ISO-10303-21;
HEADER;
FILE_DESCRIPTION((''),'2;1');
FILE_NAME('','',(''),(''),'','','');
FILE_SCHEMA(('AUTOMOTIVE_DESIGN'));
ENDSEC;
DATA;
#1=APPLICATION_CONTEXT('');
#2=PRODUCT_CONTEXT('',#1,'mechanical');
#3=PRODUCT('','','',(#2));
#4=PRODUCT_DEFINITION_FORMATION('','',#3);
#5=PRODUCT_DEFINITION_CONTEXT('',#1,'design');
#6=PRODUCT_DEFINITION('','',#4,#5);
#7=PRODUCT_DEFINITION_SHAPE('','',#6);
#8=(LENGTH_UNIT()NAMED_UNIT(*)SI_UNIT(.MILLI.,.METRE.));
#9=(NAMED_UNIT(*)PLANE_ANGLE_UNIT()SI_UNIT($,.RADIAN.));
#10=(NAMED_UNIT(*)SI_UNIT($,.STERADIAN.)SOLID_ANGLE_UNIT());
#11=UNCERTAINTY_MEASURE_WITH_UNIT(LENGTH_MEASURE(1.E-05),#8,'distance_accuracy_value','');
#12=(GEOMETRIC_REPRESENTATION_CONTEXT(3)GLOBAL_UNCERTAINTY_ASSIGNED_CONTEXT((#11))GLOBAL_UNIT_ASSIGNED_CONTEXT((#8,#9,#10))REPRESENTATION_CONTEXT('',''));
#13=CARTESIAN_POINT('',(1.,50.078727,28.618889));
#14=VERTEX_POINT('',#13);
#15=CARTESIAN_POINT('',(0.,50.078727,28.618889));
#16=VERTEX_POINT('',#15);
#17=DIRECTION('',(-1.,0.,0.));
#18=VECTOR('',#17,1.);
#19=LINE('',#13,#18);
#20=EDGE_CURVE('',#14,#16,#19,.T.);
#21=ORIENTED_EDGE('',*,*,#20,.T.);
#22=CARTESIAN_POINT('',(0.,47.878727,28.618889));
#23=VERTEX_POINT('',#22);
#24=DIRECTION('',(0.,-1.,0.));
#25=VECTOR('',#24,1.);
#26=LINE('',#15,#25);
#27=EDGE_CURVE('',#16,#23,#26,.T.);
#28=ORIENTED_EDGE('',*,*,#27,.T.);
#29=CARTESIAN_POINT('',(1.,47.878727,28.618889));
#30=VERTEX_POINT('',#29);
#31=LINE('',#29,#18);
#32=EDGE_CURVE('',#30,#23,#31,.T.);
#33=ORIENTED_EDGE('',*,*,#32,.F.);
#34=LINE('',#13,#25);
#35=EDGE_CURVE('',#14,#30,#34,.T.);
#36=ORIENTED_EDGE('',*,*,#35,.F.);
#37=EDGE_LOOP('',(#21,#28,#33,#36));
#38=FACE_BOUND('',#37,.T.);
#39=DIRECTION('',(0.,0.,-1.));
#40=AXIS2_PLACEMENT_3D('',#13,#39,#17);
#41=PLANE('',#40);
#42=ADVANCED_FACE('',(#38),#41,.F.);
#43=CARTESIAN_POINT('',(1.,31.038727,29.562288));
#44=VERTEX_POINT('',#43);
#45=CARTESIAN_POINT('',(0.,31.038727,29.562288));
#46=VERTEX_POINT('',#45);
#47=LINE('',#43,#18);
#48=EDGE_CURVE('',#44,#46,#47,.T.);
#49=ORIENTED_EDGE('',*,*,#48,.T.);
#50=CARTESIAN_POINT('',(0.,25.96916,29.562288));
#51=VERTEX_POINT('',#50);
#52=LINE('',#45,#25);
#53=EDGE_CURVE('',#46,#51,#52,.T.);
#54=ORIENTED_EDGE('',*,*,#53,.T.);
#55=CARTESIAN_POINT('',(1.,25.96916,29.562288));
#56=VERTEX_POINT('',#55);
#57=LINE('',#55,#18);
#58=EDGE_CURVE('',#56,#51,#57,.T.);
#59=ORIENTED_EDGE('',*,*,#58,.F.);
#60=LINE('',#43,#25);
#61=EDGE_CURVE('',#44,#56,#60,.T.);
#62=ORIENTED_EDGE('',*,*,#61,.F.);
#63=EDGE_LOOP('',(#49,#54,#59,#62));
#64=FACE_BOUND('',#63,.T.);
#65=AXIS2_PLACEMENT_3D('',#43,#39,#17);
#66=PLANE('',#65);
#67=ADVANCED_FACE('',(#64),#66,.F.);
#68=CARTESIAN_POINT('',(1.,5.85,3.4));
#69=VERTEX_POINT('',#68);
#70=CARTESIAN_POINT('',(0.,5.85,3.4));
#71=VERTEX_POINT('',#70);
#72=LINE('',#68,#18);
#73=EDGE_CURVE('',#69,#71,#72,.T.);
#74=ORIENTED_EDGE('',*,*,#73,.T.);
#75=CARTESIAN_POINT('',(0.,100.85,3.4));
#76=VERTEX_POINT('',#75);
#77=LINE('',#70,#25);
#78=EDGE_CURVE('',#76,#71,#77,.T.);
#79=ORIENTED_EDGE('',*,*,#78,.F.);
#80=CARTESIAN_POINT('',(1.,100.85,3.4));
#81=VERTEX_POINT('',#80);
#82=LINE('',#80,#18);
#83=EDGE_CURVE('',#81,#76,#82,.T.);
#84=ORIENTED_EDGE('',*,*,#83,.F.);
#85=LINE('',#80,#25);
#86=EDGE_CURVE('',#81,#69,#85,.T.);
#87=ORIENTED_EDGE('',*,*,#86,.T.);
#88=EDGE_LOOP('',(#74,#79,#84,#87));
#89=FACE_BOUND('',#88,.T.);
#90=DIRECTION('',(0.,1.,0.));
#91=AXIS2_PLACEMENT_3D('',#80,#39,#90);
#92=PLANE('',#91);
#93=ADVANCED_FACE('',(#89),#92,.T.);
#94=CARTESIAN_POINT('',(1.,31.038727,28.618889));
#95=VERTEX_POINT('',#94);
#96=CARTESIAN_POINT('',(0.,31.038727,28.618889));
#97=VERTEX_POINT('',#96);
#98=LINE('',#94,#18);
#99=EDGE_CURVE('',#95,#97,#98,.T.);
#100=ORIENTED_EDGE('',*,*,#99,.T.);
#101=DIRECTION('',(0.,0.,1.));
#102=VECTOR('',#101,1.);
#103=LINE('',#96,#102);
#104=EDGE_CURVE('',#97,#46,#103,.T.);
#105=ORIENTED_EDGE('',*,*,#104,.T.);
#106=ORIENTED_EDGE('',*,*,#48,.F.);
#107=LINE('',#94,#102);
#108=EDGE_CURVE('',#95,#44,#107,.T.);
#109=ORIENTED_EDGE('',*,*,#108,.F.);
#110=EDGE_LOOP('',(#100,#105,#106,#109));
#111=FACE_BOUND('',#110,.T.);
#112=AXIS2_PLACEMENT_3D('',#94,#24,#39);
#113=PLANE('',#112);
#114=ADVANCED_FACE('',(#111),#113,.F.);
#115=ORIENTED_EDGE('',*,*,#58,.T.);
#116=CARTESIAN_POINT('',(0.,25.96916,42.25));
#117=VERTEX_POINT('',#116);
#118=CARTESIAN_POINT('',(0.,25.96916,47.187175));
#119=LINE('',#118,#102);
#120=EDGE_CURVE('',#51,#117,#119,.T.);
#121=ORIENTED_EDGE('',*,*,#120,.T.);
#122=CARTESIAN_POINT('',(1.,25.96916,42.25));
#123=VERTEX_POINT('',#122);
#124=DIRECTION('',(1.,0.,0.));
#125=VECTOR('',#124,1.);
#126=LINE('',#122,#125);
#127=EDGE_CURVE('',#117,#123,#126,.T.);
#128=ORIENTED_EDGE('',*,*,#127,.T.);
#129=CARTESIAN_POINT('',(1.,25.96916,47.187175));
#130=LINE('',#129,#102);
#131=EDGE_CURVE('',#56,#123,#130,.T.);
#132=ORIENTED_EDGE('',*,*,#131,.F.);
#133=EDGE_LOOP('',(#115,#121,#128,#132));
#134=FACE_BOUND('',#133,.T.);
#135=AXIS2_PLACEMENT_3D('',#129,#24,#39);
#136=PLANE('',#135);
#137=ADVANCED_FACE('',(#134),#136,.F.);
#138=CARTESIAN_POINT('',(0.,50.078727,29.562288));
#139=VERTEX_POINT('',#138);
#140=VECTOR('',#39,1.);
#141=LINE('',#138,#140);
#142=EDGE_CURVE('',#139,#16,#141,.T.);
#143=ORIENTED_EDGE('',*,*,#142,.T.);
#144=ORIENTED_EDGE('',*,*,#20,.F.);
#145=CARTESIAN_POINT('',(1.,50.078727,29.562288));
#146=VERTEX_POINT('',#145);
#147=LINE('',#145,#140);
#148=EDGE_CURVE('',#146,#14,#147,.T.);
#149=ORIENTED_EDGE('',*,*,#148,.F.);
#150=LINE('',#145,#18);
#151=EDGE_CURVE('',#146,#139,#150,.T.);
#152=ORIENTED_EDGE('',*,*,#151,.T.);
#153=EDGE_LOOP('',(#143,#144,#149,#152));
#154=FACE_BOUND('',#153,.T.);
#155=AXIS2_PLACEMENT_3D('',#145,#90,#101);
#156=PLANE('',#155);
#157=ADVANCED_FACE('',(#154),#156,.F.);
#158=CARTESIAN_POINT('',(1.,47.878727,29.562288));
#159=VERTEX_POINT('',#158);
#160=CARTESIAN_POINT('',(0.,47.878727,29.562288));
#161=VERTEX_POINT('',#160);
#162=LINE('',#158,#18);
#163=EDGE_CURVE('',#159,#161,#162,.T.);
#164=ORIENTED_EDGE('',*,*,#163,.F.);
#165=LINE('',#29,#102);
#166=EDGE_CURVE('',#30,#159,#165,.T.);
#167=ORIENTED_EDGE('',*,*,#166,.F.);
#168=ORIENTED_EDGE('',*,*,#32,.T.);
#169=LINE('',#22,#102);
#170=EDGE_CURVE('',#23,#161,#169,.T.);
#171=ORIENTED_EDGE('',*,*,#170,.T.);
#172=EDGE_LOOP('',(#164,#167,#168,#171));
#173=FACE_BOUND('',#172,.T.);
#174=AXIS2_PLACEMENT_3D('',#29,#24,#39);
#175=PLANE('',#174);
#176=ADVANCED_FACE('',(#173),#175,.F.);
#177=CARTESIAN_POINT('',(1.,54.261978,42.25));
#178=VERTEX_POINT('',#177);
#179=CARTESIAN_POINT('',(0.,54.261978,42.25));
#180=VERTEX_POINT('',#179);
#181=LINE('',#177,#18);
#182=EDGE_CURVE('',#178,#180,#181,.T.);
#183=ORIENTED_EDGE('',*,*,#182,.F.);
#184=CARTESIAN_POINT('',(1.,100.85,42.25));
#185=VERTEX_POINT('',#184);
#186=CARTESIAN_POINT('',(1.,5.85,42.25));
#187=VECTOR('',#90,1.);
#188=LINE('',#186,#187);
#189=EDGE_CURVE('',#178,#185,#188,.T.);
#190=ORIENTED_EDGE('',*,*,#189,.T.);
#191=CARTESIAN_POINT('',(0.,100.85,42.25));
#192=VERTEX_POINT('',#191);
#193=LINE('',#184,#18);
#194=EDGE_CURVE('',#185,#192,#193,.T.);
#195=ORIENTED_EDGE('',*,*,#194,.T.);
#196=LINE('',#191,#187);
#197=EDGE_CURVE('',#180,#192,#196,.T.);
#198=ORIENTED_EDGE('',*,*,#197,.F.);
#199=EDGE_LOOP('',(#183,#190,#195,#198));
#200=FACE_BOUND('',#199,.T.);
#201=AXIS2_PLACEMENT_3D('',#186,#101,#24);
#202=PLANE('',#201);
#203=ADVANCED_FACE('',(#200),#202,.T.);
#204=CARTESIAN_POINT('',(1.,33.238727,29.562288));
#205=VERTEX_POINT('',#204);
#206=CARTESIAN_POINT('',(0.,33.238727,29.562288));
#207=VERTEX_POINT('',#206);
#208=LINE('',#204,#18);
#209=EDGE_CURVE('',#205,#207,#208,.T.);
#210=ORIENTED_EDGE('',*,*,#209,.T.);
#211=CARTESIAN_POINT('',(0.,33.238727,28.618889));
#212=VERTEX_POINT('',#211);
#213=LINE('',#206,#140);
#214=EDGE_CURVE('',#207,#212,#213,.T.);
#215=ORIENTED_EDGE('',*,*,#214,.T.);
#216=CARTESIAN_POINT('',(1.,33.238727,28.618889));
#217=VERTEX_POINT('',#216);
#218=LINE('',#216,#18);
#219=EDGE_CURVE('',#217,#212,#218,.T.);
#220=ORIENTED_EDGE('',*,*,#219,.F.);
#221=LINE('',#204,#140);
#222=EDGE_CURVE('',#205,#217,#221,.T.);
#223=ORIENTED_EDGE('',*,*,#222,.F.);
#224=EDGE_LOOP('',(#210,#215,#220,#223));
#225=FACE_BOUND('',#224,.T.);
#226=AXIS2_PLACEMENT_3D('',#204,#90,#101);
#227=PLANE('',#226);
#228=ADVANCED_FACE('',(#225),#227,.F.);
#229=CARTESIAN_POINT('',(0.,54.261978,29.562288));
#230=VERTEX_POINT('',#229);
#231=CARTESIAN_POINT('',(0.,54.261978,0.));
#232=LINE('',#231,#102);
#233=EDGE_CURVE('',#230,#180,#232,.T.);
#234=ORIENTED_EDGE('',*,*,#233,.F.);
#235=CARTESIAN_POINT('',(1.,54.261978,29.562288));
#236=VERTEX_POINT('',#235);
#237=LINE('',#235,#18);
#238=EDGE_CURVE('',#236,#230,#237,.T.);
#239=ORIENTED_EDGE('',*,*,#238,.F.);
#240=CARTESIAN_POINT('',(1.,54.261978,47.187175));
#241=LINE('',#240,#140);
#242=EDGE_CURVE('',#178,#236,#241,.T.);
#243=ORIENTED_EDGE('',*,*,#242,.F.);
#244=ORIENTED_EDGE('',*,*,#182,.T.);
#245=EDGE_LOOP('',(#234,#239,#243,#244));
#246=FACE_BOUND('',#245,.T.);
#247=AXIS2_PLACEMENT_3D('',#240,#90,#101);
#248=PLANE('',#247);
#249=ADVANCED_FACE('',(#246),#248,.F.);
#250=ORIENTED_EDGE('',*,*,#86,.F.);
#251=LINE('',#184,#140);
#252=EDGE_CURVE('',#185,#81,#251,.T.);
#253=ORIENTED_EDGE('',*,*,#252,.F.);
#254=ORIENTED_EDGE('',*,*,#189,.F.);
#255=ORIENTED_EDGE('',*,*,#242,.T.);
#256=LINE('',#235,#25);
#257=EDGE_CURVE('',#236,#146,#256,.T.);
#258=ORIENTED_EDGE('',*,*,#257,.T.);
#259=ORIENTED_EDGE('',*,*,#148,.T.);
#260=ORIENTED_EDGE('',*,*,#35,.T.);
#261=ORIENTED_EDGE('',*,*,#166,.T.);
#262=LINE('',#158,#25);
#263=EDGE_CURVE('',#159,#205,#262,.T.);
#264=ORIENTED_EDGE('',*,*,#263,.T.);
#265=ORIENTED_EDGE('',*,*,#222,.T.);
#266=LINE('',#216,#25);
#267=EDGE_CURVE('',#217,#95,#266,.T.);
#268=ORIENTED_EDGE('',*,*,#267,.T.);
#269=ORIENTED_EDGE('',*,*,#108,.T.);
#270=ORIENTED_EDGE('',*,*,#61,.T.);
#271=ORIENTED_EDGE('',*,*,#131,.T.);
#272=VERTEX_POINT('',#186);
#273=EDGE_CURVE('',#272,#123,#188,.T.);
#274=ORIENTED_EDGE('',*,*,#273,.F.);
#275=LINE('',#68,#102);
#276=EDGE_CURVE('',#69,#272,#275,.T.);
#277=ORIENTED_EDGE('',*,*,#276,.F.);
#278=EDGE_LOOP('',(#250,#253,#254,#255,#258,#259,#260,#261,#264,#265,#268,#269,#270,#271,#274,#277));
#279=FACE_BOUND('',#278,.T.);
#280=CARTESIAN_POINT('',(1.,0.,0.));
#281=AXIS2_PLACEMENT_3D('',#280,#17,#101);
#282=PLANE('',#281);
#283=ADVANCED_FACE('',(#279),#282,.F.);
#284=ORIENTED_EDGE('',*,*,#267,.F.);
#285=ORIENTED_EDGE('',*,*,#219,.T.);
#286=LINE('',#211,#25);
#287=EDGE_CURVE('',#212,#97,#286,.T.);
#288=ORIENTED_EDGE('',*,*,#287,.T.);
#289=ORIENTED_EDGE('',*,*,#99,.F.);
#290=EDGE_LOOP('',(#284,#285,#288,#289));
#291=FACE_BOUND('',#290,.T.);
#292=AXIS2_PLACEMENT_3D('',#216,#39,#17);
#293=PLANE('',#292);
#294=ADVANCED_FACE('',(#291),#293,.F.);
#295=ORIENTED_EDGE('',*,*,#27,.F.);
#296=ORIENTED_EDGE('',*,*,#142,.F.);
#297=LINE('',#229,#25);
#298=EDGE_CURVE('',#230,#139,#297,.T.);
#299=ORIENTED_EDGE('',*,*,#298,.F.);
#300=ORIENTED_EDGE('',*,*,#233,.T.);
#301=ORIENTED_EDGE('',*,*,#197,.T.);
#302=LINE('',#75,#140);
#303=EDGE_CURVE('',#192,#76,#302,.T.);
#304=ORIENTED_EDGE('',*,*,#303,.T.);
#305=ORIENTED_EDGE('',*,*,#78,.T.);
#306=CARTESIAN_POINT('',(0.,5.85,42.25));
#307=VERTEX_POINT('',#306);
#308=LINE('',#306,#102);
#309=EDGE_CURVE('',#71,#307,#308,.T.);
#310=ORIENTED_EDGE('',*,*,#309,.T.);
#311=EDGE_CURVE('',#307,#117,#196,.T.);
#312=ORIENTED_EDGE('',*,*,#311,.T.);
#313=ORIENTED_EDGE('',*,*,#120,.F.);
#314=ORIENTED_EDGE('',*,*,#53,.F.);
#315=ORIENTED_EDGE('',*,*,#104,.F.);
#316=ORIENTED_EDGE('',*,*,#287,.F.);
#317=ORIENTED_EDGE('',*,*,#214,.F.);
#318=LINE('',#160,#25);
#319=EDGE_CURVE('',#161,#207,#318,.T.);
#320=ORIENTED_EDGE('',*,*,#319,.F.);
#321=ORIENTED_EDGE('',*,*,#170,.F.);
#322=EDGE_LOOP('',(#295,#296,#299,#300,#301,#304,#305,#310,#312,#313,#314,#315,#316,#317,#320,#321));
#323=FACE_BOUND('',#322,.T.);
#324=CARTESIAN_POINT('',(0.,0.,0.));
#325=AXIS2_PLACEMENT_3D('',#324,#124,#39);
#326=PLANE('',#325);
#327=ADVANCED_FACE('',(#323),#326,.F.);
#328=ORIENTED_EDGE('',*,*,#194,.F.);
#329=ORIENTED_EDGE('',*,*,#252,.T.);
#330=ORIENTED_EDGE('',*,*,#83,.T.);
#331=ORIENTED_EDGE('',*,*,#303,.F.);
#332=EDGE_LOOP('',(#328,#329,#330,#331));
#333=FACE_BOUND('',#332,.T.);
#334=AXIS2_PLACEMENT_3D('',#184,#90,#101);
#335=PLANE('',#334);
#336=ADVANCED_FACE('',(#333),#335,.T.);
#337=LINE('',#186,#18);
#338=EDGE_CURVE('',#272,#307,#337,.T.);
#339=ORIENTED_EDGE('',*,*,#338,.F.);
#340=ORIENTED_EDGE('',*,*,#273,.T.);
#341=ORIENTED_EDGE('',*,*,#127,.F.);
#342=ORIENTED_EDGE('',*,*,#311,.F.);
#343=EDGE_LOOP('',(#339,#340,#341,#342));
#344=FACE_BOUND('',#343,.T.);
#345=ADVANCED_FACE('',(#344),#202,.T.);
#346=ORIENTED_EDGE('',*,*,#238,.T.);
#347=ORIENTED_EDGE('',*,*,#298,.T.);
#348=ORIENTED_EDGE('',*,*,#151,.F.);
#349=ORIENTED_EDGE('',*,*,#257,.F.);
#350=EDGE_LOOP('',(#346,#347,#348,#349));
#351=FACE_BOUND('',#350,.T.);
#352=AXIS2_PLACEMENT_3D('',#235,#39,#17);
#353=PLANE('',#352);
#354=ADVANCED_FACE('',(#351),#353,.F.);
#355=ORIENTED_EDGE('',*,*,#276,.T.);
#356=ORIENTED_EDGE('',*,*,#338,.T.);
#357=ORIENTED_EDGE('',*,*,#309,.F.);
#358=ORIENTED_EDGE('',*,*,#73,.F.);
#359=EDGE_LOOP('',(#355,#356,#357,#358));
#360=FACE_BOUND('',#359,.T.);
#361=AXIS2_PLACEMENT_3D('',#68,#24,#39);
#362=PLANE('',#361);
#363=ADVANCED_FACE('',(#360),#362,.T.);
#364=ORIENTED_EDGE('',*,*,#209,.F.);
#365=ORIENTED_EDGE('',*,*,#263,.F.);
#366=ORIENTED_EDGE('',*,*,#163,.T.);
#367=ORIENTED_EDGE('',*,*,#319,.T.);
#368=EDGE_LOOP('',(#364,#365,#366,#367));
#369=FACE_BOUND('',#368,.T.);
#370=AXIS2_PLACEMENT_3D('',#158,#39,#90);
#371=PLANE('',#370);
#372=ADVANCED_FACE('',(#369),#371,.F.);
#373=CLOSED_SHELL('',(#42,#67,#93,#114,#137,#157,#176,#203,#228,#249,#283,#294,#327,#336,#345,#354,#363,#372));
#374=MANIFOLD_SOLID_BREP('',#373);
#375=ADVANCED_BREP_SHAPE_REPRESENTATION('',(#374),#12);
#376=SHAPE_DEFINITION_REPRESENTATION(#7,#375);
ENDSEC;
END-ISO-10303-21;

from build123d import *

# Parameters (mm, degrees)
SKETCH_1_W          = 95
SKETCH_1_H          = 38.85
EXTRUDE_1_DEPTH     = 0.5
SKETCH_2_W          = 38.85
SKETCH_2_H          = 95
EXTRUDE_2_DEPTH     = 0.5
CUT_EXTRUDE_1_DEPTH = 110.347085009


with BuildPart() as part:
    # Эскиз1 → Бобышка-Вытянуть1 (new body)
    with BuildSketch(Plane(origin=(0.5, 0, 0), x_dir=(0, -1, 0), z_dir=(-1, 0, 0))):
        with Locations((-53.35, 22.825)):
            Rectangle(SKETCH_1_W, SKETCH_1_H)
    extrude(amount=-EXTRUDE_1_DEPTH)

    # Эскиз2 → Бобышка-Вытянуть2 (add)
    with BuildSketch(Plane.ZY.offset(-0.5)):
        with Locations((22.825, 53.35)):
            Rectangle(SKETCH_2_W, SKETCH_2_H)
    extrude(amount=EXTRUDE_2_DEPTH)

    # Эскиз3 → Вырез-Вытянуть1 (cut, through all)
    with BuildSketch(Plane.ZY):
        Polygon((47.187175015, 54.261978396), (29.562288031, 54.261978396), (29.562288031, 50.078726521), (28.618889228, 50.078726521), (28.618889228, 47.878726521), (29.562288031, 47.878726521), (29.562288031, 33.238726521), (28.618889228, 33.238726521), (28.618889228, 31.038726521), (29.562288031, 31.038726521), (29.562288031, 25.969159943), (47.187175015, 25.969159943), align=None)
    extrude(amount=-CUT_EXTRUDE_1_DEPTH, mode=Mode.SUBTRACT)


solid = part.part
